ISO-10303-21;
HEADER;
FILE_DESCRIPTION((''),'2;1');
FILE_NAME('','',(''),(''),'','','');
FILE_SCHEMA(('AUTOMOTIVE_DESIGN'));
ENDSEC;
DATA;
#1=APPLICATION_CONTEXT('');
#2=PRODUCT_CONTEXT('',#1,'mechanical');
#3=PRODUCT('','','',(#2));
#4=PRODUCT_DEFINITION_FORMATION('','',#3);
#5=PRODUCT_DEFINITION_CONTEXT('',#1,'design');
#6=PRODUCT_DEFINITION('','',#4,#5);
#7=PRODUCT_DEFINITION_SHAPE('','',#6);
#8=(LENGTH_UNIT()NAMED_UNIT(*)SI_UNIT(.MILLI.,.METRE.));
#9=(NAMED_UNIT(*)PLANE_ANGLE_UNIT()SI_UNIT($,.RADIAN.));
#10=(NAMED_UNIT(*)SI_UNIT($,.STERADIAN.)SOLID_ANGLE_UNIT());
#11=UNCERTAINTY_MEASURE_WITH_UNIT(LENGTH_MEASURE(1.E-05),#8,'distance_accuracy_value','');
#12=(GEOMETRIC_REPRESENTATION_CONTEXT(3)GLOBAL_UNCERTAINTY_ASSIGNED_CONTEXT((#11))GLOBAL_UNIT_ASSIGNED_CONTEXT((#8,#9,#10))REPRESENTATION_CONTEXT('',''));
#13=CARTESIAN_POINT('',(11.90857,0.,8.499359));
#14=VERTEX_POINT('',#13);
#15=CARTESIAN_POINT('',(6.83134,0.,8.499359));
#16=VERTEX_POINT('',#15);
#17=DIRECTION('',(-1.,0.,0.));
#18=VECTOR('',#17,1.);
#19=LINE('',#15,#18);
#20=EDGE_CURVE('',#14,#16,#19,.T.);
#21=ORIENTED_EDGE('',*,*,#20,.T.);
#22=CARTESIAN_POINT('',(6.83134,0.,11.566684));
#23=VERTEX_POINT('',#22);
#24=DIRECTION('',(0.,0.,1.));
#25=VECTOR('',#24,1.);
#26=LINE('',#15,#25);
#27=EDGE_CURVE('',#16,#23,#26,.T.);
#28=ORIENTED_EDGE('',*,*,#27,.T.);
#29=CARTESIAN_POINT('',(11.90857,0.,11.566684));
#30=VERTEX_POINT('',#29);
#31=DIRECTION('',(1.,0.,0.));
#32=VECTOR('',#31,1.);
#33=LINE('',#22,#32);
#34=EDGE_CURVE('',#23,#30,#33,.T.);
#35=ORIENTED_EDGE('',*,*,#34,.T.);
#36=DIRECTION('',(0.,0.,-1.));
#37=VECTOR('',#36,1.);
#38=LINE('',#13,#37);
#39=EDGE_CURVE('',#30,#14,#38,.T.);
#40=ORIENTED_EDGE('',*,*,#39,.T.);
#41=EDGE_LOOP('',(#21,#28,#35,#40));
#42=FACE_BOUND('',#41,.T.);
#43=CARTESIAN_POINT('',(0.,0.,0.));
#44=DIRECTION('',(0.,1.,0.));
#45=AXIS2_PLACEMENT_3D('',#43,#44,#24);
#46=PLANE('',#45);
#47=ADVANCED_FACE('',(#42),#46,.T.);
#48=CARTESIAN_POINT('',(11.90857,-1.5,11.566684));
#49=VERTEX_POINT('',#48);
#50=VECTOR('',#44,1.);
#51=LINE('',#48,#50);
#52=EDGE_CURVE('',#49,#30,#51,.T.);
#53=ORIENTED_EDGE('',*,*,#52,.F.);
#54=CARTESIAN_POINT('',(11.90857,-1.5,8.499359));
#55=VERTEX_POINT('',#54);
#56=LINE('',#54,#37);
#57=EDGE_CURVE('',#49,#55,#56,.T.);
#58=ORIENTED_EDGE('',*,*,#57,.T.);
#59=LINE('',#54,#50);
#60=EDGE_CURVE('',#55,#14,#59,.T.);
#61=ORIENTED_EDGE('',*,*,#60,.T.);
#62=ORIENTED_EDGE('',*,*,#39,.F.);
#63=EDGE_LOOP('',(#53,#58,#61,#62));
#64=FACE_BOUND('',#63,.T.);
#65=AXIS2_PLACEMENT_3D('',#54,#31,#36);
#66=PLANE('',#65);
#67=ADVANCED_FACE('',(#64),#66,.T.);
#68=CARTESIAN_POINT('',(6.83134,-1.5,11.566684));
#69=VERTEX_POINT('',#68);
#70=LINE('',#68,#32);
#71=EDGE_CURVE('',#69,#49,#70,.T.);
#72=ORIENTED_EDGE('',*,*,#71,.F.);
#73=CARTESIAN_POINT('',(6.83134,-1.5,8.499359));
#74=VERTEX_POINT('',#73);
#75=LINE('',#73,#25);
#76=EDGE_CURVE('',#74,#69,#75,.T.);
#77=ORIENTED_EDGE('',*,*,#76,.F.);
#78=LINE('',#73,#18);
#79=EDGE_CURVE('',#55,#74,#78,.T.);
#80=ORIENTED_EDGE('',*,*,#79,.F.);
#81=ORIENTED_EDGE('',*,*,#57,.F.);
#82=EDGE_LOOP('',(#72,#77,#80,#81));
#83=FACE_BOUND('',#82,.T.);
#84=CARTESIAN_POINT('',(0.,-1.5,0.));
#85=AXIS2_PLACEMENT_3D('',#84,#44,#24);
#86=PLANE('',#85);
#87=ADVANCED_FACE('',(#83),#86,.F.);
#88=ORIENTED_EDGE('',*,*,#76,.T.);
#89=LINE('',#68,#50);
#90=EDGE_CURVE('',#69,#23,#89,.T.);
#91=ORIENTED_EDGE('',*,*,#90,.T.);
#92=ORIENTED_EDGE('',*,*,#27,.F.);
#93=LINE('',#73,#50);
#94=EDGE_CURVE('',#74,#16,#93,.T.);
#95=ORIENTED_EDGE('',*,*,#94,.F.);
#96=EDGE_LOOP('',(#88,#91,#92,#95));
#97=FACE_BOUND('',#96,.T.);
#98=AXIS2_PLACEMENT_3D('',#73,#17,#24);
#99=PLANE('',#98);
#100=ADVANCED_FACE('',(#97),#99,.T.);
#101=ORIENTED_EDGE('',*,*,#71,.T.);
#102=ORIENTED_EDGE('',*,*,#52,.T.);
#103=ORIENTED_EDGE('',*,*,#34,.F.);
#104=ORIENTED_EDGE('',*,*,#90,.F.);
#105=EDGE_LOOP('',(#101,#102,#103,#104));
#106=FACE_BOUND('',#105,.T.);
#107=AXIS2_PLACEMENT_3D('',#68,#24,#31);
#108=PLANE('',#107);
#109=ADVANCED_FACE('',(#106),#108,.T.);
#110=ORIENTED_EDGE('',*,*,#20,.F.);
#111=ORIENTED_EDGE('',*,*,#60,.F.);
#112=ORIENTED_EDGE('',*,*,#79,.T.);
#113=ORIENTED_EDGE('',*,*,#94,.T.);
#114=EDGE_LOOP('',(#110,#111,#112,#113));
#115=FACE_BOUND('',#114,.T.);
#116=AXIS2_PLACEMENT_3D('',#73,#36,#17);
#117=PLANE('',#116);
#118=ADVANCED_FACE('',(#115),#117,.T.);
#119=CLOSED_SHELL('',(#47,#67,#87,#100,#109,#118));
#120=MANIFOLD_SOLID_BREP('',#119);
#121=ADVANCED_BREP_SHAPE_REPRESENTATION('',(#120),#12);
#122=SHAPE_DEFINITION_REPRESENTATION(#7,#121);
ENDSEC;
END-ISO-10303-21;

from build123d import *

# Parameters (mm, degrees)
SKETCH1_W           = 18
SKETCH1_H           = 13
SKETCH1_R           = 0.5
SKETCH1_R_2         = 1.5
BOSS_EXTRUDE1_DEPTH = 1.5
SKETCH2_W           = 18
SKETCH2_H           = 13
SKETCH2_W_2         = 5.077229708
SKETCH2_H_2         = 3.067324783
CUT_EXTRUDE1_DEPTH  = 2.5


with BuildPart() as part:
    # Sketch1 → Boss-Extrude1 (new body)
    with BuildSketch(Plane(origin=(0, 0, 0), x_dir=(1, 0, 0), z_dir=(0, 1, 0))):
        with Locations((9, -6.5)):
            Rectangle(SKETCH1_W, SKETCH1_H)
        with Locations((1.38, -1.38)):
            Circle(SKETCH1_R, mode=Mode.SUBTRACT)
        with Locations((3.92, -1.38)):
            Circle(SKETCH1_R, mode=Mode.SUBTRACT)
        with Locations((6.46, -1.38)):
            Circle(SKETCH1_R, mode=Mode.SUBTRACT)
        with Locations((9, -1.38)):
            Circle(SKETCH1_R, mode=Mode.SUBTRACT)
        with Locations((11.54, -1.38)):
            Circle(SKETCH1_R, mode=Mode.SUBTRACT)
        with Locations((14.08, -1.38)):
            Circle(SKETCH1_R, mode=Mode.SUBTRACT)
        with Locations((16.62, -1.38)):
            Circle(SKETCH1_R, mode=Mode.SUBTRACT)
        with Locations((2.63, -10.37)):
            Circle(SKETCH1_R_2, mode=Mode.SUBTRACT)
    extrude(amount=-BOSS_EXTRUDE1_DEPTH)

    # Sketch2 → Cut-Extrude1 (cut, through all)
    with BuildSketch(Plane(origin=(0, 0, 0), x_dir=(1, 0, 0), z_dir=(0, 1, 0))):
        with Locations((9, -6.5)):
            Rectangle(SKETCH2_W, SKETCH2_H)
        with Locations((9.369954861, -10.033021679)):
            Rectangle(SKETCH2_W_2, SKETCH2_H_2, mode=Mode.SUBTRACT)
    extrude(amount=-CUT_EXTRUDE1_DEPTH, mode=Mode.SUBTRACT)


solid = part.part
